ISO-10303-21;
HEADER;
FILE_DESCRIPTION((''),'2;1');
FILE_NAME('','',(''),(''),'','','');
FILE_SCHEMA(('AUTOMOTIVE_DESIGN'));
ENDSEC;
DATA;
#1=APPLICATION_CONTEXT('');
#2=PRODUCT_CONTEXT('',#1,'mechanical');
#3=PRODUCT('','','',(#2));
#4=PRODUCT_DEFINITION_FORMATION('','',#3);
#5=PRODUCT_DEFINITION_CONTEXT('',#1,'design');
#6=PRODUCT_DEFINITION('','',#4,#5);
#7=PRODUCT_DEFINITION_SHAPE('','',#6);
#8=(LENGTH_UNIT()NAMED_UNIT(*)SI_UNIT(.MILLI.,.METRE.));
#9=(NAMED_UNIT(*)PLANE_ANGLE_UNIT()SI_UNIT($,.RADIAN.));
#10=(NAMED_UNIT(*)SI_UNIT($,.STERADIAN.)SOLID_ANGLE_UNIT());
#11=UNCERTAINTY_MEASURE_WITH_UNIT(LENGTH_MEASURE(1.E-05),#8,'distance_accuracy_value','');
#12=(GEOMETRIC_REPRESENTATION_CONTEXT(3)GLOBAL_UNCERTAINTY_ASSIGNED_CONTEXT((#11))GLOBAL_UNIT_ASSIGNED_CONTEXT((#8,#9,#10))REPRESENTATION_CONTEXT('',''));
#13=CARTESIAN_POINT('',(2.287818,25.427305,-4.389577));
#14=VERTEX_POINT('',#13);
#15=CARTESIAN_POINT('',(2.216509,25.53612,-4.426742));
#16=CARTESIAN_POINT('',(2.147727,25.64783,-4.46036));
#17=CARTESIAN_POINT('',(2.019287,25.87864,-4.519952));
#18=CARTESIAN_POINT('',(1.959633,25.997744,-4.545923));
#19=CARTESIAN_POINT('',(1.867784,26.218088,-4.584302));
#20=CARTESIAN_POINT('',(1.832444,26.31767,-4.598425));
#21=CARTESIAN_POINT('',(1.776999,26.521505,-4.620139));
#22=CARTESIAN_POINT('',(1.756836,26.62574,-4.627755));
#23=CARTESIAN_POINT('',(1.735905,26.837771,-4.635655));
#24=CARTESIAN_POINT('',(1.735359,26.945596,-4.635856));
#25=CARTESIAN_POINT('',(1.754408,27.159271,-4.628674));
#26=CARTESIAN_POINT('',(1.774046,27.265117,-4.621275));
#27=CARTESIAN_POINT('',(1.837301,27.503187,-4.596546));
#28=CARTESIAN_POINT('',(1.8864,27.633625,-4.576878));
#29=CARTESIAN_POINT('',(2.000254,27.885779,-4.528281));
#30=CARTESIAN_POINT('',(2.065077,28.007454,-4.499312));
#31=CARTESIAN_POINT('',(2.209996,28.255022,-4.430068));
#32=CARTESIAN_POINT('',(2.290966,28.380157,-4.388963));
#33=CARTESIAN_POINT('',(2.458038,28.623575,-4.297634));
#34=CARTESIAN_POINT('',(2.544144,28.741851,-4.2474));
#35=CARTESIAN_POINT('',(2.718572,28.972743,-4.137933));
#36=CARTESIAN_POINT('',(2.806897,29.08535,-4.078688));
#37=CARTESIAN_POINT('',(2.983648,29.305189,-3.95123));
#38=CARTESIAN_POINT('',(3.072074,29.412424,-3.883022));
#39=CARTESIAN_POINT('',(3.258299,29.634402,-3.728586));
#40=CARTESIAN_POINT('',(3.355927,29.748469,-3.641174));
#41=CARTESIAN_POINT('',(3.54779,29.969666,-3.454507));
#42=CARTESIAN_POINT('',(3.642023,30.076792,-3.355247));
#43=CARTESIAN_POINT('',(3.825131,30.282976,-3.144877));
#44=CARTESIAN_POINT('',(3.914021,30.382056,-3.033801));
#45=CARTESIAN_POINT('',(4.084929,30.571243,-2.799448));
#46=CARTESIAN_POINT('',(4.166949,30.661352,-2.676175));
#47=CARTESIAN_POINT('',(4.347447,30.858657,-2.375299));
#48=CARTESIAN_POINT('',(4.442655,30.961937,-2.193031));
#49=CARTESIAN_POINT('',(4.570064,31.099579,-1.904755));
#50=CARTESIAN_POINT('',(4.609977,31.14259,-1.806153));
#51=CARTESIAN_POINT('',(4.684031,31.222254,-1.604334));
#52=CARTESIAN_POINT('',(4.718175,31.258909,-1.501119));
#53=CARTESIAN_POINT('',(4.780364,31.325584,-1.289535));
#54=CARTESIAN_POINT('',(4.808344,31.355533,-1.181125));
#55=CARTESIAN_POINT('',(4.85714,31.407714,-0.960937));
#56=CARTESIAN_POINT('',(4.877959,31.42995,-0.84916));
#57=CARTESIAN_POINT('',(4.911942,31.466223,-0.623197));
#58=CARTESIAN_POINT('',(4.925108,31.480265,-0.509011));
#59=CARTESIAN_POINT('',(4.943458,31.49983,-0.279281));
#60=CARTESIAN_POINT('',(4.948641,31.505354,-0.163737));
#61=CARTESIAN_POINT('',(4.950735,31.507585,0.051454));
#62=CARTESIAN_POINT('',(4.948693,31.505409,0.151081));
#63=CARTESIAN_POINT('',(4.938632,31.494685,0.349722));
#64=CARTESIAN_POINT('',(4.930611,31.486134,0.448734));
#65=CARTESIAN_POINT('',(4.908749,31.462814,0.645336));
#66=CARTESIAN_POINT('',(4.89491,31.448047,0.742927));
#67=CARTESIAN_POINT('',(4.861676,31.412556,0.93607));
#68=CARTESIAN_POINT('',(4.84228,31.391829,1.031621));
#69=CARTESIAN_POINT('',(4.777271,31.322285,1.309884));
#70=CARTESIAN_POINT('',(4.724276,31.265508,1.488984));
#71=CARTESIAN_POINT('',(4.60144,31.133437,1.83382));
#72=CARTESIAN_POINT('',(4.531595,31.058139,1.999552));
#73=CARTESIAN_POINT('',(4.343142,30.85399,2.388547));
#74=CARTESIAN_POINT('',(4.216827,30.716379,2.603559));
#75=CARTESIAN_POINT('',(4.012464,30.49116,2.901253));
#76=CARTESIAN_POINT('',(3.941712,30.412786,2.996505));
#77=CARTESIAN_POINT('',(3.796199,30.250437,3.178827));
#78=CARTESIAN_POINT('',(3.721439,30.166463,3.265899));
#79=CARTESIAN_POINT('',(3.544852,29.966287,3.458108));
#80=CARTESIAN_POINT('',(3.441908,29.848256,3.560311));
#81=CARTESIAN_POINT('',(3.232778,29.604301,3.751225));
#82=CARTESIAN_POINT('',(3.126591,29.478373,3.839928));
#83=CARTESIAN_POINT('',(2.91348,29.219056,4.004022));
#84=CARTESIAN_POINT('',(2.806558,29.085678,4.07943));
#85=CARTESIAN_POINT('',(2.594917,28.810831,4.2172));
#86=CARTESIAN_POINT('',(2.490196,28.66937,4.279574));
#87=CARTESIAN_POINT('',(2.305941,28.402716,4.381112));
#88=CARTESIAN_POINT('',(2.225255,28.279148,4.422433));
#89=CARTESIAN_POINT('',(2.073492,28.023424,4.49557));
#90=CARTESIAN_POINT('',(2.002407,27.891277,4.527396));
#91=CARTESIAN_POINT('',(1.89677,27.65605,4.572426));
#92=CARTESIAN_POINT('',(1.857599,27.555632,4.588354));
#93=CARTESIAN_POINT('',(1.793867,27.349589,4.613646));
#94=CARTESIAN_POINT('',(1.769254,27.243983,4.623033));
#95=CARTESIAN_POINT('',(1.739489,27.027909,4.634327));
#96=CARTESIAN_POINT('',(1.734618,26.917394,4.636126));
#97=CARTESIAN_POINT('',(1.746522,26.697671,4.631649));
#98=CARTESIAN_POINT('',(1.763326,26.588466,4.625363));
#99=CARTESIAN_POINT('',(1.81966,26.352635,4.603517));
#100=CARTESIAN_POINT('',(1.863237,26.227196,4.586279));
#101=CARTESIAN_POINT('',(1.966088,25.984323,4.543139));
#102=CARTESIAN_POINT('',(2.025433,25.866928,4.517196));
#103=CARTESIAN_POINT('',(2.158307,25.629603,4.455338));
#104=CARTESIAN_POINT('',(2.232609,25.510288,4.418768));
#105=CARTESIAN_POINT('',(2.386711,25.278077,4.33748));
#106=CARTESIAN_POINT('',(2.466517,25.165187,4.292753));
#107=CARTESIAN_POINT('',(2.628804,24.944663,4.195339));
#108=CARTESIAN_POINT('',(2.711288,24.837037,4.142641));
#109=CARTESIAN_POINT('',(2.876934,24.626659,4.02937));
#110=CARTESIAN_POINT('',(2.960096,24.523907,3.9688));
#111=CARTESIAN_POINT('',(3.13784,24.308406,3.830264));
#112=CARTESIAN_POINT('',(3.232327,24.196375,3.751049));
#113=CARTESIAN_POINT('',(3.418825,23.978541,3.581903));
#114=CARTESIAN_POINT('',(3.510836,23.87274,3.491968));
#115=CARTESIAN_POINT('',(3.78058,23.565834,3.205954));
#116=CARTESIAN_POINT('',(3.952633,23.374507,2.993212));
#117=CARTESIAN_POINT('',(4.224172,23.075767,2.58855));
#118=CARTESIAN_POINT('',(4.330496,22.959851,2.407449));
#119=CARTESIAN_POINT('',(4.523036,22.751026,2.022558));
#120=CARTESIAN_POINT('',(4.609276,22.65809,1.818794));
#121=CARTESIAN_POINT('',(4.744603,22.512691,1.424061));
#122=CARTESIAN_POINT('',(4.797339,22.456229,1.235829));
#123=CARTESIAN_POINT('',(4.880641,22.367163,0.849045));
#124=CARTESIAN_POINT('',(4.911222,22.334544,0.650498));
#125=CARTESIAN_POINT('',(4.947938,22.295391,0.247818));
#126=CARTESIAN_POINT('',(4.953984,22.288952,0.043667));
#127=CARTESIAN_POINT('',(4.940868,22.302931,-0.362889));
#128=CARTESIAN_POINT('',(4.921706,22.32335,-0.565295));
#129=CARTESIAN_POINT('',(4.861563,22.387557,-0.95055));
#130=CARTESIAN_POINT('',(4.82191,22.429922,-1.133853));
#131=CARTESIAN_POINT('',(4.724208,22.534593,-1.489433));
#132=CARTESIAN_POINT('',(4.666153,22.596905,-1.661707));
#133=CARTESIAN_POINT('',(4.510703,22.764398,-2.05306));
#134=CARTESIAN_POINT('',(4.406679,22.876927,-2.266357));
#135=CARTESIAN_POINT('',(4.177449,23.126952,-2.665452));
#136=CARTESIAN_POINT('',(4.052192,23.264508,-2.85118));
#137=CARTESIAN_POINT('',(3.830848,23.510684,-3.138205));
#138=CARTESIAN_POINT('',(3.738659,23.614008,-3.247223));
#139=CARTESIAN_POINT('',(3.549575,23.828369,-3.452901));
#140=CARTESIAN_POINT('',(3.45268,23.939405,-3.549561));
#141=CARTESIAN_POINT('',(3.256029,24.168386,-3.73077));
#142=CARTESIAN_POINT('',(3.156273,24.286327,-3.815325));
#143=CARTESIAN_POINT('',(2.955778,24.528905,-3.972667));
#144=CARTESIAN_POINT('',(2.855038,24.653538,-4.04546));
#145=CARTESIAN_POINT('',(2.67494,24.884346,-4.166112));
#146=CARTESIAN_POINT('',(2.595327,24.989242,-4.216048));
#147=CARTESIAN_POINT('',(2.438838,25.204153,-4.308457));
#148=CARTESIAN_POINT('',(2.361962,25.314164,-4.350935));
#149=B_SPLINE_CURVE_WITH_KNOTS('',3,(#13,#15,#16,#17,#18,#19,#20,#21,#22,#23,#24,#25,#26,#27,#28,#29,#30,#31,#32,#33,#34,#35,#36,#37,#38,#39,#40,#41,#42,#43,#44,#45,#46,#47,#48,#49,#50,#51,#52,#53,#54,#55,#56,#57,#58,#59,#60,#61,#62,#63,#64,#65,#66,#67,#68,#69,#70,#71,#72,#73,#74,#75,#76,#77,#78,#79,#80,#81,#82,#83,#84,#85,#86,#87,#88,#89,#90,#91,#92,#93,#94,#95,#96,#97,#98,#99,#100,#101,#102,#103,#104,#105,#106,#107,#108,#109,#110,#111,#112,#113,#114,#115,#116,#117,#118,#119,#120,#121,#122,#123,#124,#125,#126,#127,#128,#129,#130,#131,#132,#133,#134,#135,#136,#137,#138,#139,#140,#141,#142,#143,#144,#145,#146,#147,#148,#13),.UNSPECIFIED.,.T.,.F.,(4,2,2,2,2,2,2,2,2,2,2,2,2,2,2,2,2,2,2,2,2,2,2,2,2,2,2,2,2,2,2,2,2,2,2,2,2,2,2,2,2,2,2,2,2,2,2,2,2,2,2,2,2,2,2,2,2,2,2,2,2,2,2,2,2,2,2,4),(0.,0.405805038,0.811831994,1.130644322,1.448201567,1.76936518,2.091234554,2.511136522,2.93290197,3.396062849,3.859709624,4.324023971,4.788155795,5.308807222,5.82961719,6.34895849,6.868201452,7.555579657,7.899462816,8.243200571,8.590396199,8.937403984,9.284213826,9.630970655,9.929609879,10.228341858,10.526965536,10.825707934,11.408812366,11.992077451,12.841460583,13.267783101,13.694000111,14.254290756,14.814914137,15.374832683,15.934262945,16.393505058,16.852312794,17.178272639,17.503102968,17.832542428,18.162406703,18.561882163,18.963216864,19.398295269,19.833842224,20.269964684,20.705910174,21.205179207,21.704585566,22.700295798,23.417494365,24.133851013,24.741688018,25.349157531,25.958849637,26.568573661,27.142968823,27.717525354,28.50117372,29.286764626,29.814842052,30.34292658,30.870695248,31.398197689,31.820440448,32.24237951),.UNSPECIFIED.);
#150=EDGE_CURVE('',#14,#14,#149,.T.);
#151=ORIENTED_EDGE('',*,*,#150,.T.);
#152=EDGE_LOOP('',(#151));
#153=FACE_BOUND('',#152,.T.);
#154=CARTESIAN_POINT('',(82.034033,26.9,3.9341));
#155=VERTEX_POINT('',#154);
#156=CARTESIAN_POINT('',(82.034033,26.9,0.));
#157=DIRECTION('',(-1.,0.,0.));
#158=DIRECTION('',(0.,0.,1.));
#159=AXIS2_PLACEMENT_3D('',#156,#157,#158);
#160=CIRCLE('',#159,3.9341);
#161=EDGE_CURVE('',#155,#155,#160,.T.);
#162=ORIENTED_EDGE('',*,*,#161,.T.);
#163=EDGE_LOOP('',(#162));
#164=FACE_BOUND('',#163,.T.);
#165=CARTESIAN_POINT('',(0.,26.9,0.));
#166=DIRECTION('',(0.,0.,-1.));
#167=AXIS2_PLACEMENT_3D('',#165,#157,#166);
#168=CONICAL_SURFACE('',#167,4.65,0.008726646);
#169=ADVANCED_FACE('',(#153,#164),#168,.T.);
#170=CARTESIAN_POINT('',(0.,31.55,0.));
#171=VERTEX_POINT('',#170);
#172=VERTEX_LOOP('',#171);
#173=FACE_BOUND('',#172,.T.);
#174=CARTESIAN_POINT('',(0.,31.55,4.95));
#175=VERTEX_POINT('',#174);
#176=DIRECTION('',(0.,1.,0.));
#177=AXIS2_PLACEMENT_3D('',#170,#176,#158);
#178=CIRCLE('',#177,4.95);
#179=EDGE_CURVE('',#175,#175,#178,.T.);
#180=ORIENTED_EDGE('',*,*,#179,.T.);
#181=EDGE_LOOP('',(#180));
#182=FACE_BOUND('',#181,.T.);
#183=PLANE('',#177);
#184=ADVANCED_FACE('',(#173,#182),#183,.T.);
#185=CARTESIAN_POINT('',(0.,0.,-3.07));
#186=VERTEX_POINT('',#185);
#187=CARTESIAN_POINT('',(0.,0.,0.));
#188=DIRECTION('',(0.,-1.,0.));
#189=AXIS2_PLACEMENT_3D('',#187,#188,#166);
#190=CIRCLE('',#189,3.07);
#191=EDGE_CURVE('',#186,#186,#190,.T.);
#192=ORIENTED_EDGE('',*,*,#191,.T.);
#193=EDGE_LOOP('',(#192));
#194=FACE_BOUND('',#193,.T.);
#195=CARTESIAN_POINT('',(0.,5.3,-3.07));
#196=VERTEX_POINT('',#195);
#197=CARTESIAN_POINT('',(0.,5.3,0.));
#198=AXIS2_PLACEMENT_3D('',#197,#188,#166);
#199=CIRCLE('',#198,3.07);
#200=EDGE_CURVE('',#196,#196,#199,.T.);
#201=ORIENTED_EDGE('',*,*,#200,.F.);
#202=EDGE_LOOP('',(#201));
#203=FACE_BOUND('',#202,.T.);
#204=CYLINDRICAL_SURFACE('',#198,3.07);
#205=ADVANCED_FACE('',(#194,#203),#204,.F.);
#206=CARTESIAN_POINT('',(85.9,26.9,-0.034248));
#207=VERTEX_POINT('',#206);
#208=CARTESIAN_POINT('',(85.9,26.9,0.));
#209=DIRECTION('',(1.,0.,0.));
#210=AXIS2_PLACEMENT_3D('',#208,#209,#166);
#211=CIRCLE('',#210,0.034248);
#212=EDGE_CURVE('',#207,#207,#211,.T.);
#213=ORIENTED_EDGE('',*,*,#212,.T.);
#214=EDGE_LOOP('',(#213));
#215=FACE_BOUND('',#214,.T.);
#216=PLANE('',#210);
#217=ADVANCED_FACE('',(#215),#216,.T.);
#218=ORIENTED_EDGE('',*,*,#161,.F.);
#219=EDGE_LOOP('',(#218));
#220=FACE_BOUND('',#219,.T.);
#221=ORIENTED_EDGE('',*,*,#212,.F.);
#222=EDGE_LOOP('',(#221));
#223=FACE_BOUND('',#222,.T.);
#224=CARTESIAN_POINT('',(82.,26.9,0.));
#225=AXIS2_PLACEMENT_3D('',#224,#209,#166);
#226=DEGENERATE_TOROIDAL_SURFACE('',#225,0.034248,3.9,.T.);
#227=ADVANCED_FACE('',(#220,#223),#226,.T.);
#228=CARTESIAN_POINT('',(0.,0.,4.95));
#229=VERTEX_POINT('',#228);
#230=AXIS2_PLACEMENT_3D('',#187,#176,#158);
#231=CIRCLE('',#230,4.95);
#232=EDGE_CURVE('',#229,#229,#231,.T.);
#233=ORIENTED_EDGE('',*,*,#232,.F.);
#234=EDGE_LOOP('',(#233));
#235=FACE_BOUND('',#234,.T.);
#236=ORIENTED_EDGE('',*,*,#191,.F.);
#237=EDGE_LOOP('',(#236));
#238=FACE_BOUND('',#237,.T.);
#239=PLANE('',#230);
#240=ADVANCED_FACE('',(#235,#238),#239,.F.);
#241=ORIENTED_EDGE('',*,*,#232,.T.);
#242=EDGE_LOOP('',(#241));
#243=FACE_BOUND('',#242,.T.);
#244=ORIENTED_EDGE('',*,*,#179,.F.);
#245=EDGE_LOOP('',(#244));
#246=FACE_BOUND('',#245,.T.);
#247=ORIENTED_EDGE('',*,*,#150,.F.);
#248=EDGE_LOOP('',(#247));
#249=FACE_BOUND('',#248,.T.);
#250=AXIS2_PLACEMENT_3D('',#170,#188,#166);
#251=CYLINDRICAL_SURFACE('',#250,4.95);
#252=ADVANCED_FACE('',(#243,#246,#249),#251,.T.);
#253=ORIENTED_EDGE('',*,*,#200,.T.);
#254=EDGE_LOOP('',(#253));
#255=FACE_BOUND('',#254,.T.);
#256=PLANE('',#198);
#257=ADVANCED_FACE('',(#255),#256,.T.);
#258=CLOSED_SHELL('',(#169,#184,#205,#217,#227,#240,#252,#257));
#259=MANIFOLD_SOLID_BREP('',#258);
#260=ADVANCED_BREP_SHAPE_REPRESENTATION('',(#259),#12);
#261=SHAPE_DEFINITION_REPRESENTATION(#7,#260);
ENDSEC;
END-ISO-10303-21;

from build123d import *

# Parameters (mm, degrees)
SKETCH1_R           = 4.95
BOSS_EXTRUDE1_DEPTH = 31.55
SKETCH3_R           = 4.65
BOSS_EXTRUDE2_DEPTH = 85.9
BOSS_EXTRUDE2_TAPER = 0.5
FILLET1_R           = 3.9
SKETCH4_R           = 3.07
CUT_EXTRUDE1_DEPTH  = 5.3


with BuildPart() as part:
    # Sketch1 → Boss-Extrude1 (new body)
    with BuildSketch(Plane(origin=(0, 0, 0), x_dir=(1, 0, 0), z_dir=(0, 1, 0))):
        Circle(SKETCH1_R)
    extrude(amount=BOSS_EXTRUDE1_DEPTH)

    # Sketch3 → Boss-Extrude2 (add)
    with BuildSketch(Plane(origin=(0, 0, 0), x_dir=(0, 0, -1), z_dir=(1, 0, 0))):
        with Locations((0, 26.9)):
            Circle(SKETCH3_R)
    extrude(amount=BOSS_EXTRUDE2_DEPTH, taper=BOSS_EXTRUDE2_TAPER)

    # Fillet1
    fillet1_edges = [part.edges().sort_by_distance(p)[0] for p in [
        (85.9, 26.9, 3.900362057),
    ]]
    fillet(fillet1_edges, radius=FILLET1_R)

    # Sketch4 → Cut-Extrude1 (cut)
    with BuildSketch(Plane.XZ):
        Circle(SKETCH4_R)
    extrude(amount=-CUT_EXTRUDE1_DEPTH, mode=Mode.SUBTRACT)


solid = part.part
